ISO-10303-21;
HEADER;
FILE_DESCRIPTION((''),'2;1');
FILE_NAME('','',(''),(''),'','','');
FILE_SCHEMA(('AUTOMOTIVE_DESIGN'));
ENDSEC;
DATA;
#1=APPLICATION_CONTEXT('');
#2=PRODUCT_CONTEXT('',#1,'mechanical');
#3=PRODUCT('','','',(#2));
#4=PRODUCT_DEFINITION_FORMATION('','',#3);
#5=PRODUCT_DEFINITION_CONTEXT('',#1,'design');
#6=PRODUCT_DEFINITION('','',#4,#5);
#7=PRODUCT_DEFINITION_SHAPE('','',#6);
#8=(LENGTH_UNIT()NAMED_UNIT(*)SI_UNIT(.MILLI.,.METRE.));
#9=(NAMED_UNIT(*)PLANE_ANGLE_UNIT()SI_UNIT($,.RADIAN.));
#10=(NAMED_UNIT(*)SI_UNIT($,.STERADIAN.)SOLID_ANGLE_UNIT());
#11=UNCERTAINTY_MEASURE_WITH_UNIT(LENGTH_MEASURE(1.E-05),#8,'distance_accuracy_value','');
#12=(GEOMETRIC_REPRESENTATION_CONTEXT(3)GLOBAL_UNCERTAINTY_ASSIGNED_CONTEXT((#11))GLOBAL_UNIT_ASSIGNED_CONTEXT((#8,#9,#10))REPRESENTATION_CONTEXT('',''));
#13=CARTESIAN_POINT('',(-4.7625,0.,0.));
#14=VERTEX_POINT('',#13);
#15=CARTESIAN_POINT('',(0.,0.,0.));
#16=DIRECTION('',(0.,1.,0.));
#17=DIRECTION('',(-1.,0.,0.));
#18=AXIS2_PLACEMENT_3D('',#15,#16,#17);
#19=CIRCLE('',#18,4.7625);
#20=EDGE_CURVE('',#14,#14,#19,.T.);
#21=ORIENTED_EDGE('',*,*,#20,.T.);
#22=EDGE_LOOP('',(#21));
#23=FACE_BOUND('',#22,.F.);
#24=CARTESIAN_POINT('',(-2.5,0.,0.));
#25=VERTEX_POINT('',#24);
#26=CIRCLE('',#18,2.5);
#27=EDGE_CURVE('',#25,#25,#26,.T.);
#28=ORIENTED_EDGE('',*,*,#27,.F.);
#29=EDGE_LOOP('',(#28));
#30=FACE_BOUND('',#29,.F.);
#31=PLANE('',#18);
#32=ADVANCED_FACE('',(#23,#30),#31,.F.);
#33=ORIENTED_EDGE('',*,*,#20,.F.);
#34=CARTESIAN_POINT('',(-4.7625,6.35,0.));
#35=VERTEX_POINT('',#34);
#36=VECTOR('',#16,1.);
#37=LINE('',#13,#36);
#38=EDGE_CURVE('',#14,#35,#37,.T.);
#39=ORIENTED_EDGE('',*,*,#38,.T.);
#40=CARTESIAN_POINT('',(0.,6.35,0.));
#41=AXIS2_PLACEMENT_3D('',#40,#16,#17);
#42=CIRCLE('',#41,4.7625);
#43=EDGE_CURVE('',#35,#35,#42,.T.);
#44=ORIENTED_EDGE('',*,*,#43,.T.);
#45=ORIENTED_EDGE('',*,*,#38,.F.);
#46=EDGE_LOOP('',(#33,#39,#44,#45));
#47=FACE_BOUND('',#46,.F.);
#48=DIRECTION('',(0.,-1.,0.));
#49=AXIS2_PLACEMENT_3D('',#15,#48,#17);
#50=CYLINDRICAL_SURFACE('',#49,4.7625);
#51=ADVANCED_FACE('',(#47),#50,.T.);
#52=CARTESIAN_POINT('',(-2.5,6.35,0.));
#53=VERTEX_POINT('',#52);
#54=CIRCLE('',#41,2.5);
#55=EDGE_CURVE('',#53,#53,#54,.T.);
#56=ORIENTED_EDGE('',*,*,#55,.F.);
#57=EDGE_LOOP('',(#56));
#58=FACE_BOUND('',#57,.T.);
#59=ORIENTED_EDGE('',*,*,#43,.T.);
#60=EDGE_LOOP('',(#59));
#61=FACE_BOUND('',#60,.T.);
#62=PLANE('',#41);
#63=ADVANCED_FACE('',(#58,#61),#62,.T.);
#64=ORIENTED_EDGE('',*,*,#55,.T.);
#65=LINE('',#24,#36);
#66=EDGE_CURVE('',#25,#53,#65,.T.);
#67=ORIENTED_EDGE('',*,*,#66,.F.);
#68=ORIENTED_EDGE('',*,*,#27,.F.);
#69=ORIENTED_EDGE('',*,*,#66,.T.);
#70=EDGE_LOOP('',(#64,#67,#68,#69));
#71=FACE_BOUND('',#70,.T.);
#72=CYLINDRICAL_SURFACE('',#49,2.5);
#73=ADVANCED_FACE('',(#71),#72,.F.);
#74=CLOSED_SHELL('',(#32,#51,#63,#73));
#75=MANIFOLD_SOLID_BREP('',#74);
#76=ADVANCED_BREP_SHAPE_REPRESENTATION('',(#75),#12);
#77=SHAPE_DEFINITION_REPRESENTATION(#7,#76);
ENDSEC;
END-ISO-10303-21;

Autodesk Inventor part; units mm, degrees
ref_plane "YZ Plane" through (0, 0, 0) normal (1, 0, 0) x (0, 1, 0)
ref_plane "XZ Plane" through (0, 0, 0) normal (0, 1, 0) x (-1, 0, 0)
ref_plane "XY Plane" through (0, 0, 0) normal (0, 0, 1) x (1, 0, 0)
sketch "Sketch1" plane through (0, 0, 0) normal (0, 1, 0) x (-1, 0, 0)
  circle A0 centre (0, 0) radius 2.5
  circle A1 centre (0, 0) radius 4.7625
  dimension "d0" = 5
  dimension "d1" = 9.525
extrude "Extrusion1" add sketch "Sketch1" along normal blind 6.35
properties part number "Aluminum Spacer"
